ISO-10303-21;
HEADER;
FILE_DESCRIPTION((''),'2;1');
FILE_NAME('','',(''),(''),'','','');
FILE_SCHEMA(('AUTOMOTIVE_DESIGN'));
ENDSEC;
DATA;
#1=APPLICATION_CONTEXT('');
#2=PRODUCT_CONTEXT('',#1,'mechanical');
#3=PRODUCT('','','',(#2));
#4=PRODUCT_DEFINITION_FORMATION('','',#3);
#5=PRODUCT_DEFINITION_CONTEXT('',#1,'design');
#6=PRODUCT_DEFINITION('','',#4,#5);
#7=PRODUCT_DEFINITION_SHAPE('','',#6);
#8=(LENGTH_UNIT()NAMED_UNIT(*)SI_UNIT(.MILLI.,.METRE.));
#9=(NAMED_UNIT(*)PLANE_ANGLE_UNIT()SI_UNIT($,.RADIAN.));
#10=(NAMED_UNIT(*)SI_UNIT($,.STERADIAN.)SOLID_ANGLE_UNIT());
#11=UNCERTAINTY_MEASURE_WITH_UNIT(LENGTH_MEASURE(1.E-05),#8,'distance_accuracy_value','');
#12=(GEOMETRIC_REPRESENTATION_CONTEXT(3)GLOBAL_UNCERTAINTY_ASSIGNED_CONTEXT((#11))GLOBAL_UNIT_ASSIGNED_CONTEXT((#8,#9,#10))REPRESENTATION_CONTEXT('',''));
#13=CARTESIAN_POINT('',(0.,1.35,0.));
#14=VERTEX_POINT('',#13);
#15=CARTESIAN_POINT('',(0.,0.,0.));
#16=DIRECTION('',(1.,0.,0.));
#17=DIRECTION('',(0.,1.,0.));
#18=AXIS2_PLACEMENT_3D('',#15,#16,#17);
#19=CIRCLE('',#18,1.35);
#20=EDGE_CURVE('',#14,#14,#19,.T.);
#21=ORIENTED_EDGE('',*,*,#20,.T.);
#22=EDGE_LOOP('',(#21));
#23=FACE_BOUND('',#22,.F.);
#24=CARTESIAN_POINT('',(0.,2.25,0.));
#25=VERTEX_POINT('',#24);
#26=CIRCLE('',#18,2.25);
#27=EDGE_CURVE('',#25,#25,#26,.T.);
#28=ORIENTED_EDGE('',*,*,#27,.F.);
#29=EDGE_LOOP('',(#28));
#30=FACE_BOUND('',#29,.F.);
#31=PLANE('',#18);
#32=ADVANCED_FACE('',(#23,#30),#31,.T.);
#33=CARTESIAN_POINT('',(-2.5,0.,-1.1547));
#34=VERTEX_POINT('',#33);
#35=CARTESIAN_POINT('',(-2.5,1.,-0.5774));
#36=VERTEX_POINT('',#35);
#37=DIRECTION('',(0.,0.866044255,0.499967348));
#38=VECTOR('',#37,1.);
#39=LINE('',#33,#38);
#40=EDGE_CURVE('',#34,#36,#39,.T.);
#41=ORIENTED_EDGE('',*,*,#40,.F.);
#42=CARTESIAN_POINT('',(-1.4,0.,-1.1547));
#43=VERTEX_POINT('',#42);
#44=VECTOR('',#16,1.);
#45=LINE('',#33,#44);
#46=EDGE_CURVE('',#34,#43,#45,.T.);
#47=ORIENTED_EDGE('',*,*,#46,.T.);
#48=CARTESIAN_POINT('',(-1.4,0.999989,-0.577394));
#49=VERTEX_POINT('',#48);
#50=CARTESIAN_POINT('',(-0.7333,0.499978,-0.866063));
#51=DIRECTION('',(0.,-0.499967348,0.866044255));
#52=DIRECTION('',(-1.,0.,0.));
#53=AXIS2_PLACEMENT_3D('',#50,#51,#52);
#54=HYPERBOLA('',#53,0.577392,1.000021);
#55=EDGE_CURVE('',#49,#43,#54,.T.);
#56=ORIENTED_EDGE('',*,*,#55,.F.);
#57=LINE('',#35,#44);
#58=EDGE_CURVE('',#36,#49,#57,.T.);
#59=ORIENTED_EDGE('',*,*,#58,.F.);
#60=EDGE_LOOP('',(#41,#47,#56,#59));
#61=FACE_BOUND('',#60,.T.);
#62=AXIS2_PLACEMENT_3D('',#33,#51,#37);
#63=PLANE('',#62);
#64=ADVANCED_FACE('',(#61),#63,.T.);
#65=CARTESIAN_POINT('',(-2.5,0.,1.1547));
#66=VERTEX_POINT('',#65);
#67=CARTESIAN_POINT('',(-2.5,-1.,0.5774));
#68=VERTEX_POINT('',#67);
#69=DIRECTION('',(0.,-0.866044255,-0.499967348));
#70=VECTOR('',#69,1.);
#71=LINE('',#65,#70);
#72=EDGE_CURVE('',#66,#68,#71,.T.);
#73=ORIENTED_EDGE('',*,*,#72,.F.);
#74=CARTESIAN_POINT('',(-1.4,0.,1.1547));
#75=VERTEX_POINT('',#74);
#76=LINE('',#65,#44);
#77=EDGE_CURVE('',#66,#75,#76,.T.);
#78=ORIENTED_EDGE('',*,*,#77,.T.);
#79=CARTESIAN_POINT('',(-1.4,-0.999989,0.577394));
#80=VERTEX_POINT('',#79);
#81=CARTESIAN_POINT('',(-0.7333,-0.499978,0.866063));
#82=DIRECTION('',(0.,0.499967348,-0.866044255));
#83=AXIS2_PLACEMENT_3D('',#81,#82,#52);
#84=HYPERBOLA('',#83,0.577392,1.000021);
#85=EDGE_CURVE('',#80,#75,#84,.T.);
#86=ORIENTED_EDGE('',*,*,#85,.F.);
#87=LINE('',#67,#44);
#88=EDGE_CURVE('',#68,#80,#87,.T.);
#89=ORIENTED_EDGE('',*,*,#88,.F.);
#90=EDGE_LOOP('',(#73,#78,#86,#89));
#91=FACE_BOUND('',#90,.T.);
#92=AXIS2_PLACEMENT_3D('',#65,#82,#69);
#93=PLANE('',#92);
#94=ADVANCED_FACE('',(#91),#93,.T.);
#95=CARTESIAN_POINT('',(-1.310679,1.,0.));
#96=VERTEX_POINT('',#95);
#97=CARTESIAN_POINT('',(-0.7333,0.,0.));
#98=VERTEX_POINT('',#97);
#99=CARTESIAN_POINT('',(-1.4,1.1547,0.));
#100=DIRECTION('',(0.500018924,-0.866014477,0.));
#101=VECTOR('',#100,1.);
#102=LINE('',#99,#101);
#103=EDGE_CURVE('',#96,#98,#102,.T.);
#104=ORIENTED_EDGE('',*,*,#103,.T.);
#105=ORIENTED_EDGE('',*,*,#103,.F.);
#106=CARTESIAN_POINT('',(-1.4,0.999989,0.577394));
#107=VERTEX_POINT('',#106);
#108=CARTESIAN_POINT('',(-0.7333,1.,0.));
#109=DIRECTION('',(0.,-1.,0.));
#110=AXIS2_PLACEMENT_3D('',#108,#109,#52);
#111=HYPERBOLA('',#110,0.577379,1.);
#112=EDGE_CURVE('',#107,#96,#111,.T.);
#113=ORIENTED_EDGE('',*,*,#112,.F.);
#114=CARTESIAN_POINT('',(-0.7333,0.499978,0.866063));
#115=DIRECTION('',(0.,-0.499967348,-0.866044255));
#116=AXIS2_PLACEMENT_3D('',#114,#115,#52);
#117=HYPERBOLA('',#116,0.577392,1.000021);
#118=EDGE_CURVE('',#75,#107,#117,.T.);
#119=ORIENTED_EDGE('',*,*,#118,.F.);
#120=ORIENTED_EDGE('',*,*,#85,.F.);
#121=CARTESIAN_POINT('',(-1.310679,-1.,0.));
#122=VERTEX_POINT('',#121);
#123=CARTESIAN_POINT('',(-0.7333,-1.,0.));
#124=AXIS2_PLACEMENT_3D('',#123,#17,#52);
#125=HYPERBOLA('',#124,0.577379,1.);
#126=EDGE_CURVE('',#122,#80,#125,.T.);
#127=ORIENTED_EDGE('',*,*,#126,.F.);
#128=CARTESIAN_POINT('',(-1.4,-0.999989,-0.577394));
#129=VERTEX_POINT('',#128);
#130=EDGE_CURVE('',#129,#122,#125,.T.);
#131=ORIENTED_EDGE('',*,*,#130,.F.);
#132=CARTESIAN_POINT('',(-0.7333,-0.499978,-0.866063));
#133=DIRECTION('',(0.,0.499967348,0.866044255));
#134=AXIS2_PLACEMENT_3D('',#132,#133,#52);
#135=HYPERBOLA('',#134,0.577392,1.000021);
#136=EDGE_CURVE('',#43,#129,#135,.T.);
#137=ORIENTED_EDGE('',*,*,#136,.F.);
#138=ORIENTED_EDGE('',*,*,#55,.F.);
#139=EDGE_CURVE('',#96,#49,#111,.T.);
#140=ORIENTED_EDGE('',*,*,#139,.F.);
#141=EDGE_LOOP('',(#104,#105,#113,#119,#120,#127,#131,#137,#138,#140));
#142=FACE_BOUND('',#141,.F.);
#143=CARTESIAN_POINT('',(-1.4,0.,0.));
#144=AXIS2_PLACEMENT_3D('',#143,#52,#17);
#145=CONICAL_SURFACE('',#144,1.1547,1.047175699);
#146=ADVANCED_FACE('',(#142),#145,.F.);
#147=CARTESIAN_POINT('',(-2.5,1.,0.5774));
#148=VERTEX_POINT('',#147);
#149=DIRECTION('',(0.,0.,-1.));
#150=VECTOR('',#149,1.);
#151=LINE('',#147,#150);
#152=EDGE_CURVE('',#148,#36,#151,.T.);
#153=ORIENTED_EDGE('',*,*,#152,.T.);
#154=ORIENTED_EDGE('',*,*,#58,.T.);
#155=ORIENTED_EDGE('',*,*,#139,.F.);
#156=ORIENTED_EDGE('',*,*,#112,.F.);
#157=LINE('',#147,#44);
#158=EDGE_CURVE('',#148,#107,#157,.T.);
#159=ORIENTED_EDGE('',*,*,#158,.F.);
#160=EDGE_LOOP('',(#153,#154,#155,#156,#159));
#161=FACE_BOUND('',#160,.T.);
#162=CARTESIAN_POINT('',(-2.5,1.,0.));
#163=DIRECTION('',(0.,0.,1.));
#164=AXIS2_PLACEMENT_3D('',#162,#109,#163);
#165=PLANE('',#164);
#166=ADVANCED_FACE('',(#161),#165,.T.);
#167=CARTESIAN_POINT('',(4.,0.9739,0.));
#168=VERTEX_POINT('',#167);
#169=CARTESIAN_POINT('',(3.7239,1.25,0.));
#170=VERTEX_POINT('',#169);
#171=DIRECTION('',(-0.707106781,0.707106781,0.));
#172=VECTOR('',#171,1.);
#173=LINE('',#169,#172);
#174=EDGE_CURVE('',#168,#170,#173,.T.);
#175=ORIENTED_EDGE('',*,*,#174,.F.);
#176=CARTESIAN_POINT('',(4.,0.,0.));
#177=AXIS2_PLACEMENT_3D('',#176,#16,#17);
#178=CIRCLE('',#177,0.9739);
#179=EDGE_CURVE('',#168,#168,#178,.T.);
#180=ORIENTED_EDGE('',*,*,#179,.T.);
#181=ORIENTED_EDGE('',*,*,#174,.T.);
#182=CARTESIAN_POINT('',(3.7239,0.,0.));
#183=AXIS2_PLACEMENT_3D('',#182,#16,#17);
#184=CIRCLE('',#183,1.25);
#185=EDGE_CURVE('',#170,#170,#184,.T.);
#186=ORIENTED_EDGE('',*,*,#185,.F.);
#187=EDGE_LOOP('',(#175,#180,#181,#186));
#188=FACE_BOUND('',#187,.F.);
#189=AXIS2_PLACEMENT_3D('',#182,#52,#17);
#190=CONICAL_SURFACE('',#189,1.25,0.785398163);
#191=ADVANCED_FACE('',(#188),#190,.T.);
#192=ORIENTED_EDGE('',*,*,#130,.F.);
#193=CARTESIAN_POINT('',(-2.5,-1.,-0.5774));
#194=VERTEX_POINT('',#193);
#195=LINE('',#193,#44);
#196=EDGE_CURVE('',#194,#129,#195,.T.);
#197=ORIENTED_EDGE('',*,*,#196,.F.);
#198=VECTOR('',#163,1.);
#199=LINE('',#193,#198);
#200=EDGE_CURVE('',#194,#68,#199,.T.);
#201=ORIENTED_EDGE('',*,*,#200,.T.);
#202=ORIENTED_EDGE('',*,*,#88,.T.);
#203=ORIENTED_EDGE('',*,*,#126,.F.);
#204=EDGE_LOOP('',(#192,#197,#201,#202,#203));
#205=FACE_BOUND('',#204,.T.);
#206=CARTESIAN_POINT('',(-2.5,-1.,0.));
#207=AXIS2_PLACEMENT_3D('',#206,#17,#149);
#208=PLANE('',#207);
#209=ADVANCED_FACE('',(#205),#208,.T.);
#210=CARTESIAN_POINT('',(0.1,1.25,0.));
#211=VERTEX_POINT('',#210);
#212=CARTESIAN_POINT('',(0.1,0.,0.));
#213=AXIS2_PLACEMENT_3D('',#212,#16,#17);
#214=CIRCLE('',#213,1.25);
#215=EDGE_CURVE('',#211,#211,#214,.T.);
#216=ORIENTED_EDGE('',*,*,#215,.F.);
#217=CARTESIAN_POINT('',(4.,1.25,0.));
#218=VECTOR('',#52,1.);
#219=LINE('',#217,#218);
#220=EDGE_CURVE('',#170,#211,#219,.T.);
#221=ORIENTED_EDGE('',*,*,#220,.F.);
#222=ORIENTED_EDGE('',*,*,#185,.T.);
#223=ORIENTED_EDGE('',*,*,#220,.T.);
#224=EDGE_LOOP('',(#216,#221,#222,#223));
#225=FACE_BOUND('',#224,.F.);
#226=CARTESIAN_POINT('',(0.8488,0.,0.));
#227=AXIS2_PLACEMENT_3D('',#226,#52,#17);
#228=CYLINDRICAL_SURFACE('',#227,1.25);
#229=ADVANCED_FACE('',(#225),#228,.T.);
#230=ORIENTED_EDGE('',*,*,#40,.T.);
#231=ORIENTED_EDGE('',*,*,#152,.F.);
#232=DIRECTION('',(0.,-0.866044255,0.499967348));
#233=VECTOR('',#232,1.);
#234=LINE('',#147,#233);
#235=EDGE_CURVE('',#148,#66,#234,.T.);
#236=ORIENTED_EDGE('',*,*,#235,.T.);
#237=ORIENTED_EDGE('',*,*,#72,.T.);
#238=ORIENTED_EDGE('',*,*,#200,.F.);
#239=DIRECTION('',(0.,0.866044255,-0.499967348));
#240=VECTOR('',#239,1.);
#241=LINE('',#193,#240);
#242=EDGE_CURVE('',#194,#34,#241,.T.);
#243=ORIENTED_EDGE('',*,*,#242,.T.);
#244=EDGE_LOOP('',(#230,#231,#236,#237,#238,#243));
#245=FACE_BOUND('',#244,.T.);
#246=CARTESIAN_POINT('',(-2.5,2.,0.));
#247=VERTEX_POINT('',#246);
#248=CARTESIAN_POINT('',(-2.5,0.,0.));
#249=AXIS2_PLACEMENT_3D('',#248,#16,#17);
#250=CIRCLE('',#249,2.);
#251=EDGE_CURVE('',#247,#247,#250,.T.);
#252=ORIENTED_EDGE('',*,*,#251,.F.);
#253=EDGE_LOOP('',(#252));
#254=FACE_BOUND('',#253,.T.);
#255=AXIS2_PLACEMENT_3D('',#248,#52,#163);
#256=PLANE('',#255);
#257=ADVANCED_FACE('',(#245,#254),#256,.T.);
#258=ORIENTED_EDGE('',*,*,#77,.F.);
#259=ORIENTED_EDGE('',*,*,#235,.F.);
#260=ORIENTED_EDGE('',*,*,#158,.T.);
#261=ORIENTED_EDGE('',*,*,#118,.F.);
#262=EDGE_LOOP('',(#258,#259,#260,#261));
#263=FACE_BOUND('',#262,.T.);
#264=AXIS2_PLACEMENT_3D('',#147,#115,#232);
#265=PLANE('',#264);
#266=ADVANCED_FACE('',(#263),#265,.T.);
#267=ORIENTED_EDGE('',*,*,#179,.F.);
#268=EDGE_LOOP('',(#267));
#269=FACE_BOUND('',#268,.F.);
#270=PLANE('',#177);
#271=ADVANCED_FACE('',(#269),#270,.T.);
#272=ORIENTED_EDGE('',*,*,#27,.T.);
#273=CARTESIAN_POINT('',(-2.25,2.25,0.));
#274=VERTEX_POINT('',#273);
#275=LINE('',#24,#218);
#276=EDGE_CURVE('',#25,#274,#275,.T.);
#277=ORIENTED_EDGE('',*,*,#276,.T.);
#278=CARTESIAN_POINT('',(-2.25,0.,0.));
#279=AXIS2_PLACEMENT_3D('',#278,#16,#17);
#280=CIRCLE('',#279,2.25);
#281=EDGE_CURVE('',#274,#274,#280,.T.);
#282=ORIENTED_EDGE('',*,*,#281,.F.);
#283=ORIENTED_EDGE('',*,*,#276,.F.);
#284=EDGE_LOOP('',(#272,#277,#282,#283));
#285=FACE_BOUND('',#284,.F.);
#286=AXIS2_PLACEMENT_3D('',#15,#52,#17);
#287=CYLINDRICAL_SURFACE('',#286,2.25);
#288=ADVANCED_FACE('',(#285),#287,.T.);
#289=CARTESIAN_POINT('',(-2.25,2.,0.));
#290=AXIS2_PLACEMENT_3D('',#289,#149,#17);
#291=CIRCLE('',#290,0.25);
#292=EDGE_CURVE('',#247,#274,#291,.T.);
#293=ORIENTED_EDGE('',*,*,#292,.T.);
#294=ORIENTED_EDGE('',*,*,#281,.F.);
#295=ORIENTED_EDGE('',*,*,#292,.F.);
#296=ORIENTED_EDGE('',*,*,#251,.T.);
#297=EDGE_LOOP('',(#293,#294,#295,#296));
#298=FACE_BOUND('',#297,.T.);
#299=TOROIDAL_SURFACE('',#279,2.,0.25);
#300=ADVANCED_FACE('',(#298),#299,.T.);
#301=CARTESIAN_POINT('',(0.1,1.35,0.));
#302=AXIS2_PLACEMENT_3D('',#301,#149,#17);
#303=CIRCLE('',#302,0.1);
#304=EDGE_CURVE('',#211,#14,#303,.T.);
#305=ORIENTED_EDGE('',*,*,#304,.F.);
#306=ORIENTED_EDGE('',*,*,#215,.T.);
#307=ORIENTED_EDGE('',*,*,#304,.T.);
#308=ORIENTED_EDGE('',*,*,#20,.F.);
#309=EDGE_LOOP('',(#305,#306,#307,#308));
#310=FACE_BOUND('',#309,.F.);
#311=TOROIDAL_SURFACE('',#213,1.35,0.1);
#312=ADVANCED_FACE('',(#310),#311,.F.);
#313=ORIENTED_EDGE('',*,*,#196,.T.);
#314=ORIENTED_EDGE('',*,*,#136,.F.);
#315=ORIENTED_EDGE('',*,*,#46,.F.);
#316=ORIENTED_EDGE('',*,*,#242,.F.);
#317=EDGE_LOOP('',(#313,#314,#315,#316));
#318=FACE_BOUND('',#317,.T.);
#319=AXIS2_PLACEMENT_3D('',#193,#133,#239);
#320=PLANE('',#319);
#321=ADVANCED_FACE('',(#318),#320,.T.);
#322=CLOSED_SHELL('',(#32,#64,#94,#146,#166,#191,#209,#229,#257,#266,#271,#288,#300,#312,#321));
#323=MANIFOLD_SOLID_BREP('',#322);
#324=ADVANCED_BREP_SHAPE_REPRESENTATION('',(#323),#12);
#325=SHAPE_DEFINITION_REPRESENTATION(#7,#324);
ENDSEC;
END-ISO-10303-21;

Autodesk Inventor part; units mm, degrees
ref_plane "YZ Plane" through (0, 0, 0) normal (1, 0, 0) x (0, 1, 0)
ref_plane "XZ Plane" through (0, 0, 0) normal (0, 1, 0) x (-1, 0, 0)
sketch "Skizze1" plane through (0, 0, 0) normal (0, 0, 1) x (1, 0, 0)
  line L0 (-0.7333, 0) -> (4, 0)
  line L1 (4, 0) -> (4, 1.25)
  line L2 (4, 1.25) -> (1.125, 1.25)
  line L3 (1.125, 1.25) -> (0.8488, 1.25)
  line L4 (0.8488, 1.25) -> (0, 1.25)
  line L5 (0, 1.25) -> (0, 2.25)
  line L6 (0, 2.25) -> (-2.5, 2.25)
  line L7 (-2.5, 2.25) -> (-2.5, 1.1547)
  line L8 (-2.5, 1.1547) -> (-1.4, 1.1547)
  line L9 (-1.4, 1.1547) -> (-0.7333, 0)
  line L10 (-3.8, 0) -> (5.3, 0) projected
  line L11 (0, -0.45) -> (0, 2.7) projected
  line L12 (1.125, 1.25) -> (0, 1.25) construction
  dimension "d1" = 2.875
  dimension "d2" = 0.2762
  dimension "d3" = 2.5
  dimension "d4" = 1.1
  dimension "d5" = 60
  dimension "d6" = 2.5
  dimension "d7" = 2.5
  dimension "d8" = 2.3094
  dimension "d9" = 4.5
  dimension "d26" = 4
revolve "Körper" add sketch "Skizze1" angle 360 about axis through (-0.7333, 0, 0) along (1, 0, 0)
sketch "Skizze2" plane through (-2.5, 0, 0) normal (-1, 0, 0) x (0, 0, 1)
  circle A0 centre (0, 0) radius 1.1547 projected
  line L0 (0, -3.15) -> (0, 3.15) projected
  line L1 (-3.15, 0) -> (3.15, 0) projected
  line L2 (1.1547, 0) -> (0.5774, -1)
  line L3 (0.5774, -1) -> (-0.5774, -1)
  line L4 (-0.5774, -1) -> (-1.1547, 0)
  line L5 (-1.1547, 0) -> (-0.5774, 1)
  line L6 (-0.5774, 1) -> (0.5774, 1)
  line L7 (0.5774, 1) -> (1.1547, 0)
extrude "Loch" add sketch "Skizze2" against normal up to next contours L7 A0 | A0 L2 | L6 L0 A0 | A0 L0 L3 | L0 L6 A0 | A0 L3 L0 | L4 A0 | A0 L5
fillet "Rundung1" radius 0.25 1 edges at (-2.5, -2.25, 0)
thread "Gewinde" size "M2.5x0.45" class "6g" standard "ISO Metric profile" length 2.875
chamfer "Fase1" distance 0.2761 distance2 0.2761 1 edges at (4, -1.25, 0) measured on face at (4, -0.1825, -0.5629)
ref_plane "Work Plane1" through (29, 0, 0) normal (0, -1, 0) x (1, 0, 0)
fillet "Fillet2" radius 0.1 1 edges at (0, -1.25, 0)
equation "\"d1\" = GEL"
equation "\"d3\" = KOH"
equation "\"d4\" = INTI"
equation "\"d6\" = GD"
equation "\"d7\" = BDM"
equation "\"d8\" = 1.1547 * SW"
equation "\"d9\" = KOD"
equation "\"d26\" = NLG"
equation "\"d30\" = R"
equation "\"d17\" = RR"
equation "\"d13\" = GEL"
equation "\"d15\" = -0.5 * SPD + 0.5 * GD"
equation "\"d16\" = GUL"
equation "\"GD\" = 2.5"
equation "\"NLG\" = 4"
equation "\"GEL\" = 2.875"
equation "\"KOD\" = 4.5"
equation "\"KOH\" = 2.5"
equation "\"INTI\" = 1.1"
equation "\"GAL\" = 0.61345 * PTC"
equation "\"GUL\" = 0.61345 * PTC"
equation "\"BDM\" = NND"
equation "\"SW\" = 2"
equation "\"RR\" = 0.25"
equation "\"SPD\" = NND - 1.2269 * PTC"
equation "\"R\" = 0.1"
equation "\"TOA\" = 30deg"
equation "\"GD1\" = THREADDIA - 1.2269 * PTC"
equation "\"THREADDIA\" = 2.5"
equation "\"FAWI\" = 45deg"
equation "\"PTC\" = 0.45"
equation "\"NND\" = 2.5"
equation "\"E0\" = 1.155 * SW"
properties part number "ISO 4762 - M2,5 x 4" material "Edelstahl, 440C"
